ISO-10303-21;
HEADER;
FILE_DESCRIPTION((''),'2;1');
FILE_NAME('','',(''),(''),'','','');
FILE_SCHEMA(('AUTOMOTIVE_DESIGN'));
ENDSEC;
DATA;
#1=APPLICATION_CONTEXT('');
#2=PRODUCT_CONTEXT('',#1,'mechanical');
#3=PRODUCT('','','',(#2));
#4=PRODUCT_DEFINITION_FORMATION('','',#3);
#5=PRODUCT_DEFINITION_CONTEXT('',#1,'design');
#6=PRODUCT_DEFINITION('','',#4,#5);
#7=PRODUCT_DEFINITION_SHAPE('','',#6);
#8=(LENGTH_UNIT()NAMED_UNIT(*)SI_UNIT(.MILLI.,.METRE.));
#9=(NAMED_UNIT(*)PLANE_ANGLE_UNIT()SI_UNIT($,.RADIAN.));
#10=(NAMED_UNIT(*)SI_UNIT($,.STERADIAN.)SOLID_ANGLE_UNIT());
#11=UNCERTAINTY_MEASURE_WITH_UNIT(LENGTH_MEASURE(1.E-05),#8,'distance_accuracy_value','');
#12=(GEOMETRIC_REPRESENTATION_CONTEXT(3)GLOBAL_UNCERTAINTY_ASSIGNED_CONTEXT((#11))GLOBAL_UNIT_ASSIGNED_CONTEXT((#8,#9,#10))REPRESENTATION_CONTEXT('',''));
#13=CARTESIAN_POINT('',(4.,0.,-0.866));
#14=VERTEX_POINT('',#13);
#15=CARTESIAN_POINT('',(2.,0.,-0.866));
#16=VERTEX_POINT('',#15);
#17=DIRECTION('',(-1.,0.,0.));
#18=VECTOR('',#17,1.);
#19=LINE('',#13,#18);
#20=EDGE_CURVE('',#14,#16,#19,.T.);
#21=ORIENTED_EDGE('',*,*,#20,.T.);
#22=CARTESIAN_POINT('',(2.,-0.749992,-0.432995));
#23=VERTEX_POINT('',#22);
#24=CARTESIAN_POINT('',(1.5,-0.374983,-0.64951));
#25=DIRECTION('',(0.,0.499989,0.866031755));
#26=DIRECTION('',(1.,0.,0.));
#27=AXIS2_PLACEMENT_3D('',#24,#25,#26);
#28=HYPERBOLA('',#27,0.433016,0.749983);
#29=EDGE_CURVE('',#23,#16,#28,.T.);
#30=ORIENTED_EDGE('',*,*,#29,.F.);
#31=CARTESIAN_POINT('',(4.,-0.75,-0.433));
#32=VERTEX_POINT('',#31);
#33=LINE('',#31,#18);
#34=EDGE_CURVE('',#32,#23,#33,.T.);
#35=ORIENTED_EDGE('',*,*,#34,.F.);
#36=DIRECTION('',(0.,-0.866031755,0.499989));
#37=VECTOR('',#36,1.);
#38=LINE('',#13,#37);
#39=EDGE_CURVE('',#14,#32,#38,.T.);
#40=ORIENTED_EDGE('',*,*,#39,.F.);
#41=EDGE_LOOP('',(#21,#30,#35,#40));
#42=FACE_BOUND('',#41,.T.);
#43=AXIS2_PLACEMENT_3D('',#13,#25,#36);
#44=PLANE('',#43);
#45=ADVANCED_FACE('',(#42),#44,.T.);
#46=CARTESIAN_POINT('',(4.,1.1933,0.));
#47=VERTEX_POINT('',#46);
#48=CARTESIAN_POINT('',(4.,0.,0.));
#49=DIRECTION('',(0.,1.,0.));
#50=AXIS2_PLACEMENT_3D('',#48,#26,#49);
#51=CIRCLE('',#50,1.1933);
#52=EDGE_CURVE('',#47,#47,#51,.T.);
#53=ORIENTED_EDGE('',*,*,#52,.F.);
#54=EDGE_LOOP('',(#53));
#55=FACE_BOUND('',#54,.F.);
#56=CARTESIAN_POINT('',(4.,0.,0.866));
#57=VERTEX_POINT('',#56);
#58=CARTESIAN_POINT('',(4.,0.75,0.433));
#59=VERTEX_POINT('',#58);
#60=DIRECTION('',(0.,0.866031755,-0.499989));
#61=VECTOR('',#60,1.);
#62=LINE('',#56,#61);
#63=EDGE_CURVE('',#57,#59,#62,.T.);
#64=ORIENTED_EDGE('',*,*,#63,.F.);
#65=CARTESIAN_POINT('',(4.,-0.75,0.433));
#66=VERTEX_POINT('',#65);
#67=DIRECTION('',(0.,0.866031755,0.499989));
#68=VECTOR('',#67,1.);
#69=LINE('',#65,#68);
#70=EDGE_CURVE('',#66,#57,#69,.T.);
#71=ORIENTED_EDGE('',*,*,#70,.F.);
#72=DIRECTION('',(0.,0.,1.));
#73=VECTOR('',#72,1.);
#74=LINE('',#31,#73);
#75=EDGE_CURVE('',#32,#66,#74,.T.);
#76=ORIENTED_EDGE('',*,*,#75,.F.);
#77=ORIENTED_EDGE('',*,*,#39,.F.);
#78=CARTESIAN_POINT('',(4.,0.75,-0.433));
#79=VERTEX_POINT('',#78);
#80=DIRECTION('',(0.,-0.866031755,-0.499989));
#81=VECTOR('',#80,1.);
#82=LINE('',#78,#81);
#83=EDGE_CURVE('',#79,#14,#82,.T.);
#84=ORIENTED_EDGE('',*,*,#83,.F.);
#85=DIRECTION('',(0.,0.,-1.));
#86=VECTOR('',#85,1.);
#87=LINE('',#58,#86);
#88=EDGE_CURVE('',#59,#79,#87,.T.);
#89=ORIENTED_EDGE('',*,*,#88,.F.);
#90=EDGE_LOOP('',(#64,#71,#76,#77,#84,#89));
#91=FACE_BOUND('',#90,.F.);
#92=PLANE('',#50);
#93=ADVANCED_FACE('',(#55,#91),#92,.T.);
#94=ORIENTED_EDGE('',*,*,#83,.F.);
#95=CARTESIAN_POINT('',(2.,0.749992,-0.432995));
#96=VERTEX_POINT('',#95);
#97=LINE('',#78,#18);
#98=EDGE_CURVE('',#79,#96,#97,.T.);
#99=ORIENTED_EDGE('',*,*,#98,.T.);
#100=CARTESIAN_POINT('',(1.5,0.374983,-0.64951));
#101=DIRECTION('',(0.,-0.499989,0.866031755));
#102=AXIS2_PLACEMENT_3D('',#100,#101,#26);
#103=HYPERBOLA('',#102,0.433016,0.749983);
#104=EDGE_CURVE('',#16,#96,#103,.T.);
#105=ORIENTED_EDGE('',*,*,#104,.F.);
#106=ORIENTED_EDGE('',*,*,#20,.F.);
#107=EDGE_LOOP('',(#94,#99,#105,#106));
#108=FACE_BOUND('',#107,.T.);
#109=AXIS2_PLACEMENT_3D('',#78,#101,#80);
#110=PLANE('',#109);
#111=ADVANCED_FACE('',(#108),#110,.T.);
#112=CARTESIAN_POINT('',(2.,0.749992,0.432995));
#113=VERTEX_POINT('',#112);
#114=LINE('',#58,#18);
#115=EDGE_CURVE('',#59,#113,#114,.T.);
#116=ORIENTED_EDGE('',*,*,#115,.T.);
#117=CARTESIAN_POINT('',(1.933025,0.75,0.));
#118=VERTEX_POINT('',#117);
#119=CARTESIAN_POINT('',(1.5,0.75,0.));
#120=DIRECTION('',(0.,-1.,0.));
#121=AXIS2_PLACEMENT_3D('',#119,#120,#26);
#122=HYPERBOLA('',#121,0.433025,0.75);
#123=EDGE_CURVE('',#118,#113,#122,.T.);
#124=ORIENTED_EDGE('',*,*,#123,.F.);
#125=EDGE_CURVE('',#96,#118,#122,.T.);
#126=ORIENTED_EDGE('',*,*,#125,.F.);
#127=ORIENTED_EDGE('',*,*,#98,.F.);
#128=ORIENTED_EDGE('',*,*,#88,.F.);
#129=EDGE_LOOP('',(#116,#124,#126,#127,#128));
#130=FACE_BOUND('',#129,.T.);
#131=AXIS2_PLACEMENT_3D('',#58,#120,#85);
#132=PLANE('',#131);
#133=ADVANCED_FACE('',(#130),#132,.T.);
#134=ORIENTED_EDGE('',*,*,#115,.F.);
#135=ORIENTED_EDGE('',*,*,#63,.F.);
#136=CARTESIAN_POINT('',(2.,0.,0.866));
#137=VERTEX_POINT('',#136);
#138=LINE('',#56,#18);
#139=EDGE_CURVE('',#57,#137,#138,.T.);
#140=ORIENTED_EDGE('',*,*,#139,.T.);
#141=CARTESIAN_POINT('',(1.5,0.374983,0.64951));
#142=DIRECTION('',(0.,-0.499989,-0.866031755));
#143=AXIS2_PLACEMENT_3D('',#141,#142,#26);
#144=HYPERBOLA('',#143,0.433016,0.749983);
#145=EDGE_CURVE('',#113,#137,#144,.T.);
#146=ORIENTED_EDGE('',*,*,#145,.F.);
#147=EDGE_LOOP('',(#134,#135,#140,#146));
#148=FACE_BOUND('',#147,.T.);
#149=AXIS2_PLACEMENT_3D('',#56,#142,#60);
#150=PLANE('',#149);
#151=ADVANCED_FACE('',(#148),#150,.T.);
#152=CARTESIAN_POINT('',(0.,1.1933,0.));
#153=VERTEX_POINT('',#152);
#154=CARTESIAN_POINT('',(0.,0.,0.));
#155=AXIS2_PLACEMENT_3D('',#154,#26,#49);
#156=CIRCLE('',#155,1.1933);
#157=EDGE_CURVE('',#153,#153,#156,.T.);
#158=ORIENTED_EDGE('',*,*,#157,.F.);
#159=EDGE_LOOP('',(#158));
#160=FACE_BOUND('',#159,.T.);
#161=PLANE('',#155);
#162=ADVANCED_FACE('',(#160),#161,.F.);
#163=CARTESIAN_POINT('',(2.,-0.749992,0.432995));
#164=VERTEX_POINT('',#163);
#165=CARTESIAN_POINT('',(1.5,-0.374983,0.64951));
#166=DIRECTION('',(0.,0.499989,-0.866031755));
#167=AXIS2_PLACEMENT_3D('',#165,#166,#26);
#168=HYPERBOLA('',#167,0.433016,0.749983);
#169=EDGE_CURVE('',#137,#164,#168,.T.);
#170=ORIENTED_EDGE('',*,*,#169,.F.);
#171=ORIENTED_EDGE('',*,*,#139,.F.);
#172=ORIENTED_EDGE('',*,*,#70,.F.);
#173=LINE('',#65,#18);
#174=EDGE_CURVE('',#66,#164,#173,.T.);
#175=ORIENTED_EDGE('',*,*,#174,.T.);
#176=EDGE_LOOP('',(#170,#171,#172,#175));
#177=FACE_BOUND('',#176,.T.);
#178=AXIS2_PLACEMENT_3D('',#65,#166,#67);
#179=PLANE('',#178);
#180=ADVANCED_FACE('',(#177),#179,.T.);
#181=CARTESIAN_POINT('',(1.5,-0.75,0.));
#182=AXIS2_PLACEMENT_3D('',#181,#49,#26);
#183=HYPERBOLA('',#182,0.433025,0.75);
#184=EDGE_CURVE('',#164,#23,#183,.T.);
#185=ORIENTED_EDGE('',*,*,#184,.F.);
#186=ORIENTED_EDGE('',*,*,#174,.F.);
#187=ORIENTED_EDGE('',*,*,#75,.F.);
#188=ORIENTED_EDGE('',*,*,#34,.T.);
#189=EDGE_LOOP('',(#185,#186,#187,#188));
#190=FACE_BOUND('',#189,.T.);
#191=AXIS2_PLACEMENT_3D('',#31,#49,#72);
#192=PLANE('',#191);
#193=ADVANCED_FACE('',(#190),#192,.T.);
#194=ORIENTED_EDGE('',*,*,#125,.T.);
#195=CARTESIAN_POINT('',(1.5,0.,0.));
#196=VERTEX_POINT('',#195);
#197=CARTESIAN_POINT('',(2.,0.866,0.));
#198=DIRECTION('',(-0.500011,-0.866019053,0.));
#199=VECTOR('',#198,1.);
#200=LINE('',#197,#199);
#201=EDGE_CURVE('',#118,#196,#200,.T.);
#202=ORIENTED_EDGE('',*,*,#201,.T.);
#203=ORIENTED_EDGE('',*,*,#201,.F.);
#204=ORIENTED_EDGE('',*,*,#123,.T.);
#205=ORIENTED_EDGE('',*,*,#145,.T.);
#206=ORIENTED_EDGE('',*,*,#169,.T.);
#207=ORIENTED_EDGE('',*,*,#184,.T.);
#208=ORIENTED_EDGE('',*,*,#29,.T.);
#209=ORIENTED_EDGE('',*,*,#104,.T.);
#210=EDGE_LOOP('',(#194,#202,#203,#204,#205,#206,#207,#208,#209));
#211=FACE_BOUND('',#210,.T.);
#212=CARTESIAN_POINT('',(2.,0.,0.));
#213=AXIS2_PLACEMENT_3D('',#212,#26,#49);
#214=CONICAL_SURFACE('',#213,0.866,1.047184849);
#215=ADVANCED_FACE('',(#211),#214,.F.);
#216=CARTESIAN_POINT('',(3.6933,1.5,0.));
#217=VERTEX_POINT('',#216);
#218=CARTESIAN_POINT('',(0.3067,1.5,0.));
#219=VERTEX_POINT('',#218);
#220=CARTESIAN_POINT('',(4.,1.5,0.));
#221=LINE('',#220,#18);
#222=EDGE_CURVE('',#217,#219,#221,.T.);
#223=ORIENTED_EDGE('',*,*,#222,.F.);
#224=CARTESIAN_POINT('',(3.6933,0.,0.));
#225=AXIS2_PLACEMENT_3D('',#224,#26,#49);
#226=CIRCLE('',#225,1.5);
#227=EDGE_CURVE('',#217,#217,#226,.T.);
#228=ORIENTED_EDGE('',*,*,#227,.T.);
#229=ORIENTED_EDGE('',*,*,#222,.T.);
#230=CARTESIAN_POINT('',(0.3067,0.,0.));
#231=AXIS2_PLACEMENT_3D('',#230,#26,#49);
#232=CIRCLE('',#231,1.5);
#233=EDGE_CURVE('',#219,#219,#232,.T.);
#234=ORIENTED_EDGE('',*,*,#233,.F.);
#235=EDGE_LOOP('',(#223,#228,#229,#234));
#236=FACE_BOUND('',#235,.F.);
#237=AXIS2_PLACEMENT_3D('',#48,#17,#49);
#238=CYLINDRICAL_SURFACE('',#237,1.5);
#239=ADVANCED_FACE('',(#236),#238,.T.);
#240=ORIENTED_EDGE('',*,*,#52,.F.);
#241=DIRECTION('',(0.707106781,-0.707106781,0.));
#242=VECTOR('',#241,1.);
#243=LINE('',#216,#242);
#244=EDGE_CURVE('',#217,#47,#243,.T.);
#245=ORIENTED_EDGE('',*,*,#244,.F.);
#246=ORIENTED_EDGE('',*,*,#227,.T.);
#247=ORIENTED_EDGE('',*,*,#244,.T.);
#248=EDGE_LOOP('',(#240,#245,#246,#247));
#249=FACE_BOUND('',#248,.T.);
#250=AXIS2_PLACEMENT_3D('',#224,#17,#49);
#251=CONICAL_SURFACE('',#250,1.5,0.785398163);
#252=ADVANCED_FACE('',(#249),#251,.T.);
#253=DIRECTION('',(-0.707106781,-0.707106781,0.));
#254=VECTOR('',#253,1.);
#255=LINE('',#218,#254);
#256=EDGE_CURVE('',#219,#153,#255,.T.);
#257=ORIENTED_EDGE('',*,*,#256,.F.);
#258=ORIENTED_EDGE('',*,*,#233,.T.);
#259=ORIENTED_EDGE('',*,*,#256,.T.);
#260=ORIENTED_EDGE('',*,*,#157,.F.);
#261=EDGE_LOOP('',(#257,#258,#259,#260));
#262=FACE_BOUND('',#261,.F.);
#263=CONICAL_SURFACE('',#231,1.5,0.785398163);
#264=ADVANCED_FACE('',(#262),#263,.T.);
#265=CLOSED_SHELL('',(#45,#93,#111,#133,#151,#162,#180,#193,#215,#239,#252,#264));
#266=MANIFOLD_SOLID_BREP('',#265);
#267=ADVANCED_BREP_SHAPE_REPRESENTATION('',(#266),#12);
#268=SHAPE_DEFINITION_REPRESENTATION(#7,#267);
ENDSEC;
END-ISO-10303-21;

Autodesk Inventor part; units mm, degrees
ref_plane "YZ Plane" through (0, 0, 0) normal (1, 0, 0) x (0, 1, 0)
ref_plane "XZ Plane" through (0, 0, 0) normal (0, 1, 0) x (-1, 0, 0)
sketch "Sketch1" plane through (0, 0, 0) normal (0, 0, 1) x (1, 0, 0)
  line L0 (0, 0) -> (1.5, 0)
  line L1 (4, 0.866) -> (4, 1.5)
  line L2 (4, 1.5) -> (0, 1.5)
  line L3 (4, 0.866) -> (2, 0.866)
  line L4 (2, 0.866) -> (1.5, 0)
  line L5 (0, -0.3) -> (0, 1.8) projected
  line L6 (0, 1.5) -> (0, 0)
  dimension "d0" = 2
  dimension "d1" = 60
  dimension "d2" = 3
  dimension "d3" = 1.7321
  dimension "d5" = 4
revolve "Body" add sketch "Sketch1" angle 360 about axis through (0, 0, 0) along (1, 0, 0)
chamfer "Chamfer1" distance 0.3067 angle 45 1 edges at (4, -1.5, 0) measured on face at (4, 1.2658, -0.1887)
sketch "Sketch2" plane through (4, 0, 0) normal (1, 0, 0) x (0, 0, -1)
  circle A0 centre (0, 0) radius 0.866 projected
  line L0 (-0.433, 0.75) -> (0.433, 0.75)
  line L1 (0.433, 0.75) -> (0.866, 0)
  line L2 (0.866, 0) -> (0.433, -0.75)
  line L3 (0.433, -0.75) -> (-0.433, -0.75)
  line L4 (-0.433, -0.75) -> (-0.866, 0)
  line L5 (-0.866, 0) -> (-0.433, 0.75)
  point P0 (0, 0)
  point P1 (0, 0)
extrude "Slot" add sketch "Sketch2" against normal up to next contours L1 A0 | A0 L2 | L0 A0 | A0 L3 | L5 A0 | A0 L4
thread "Thread" size "M3x0.5" class "6g" standard "ISO Metric profile" length 4
chamfer "Chamfer2" distance 0.3067 angle 45 1 edges at (0, -1.5, 0) measured on face at (2.4622, 1.4806, -0.2406)
ref_plane "Work Plane1" through (2, 0, 0) normal (0, 0.5, 0.866) x (1, 0, 0)
equation "\"d7\" = -0.5 * GD1 + 0.5 * NND"
equation "\"d8\" = FAWI"
equation "\"d29\" = -0.5 * GD1 + 0.5 * NND"
equation "\"d11\" = NLG"
equation "\"d13\" = -0.5 * GD1 + 0.5 * NND"
equation "\"d14\" = FAWI"
equation "\"d30\" = -0.5 * GD1 + 0.5 * NND"
equation "\"d0\" = INTI"
equation "\"d2\" = NND"
equation "\"d3\" = 1.1547 * SW"
equation "\"d5\" = NLG"
equation "\"NND\" = 3"
equation "\"NLG\" = 4"
equation "\"INTI\" = 2"
equation "\"FAWI\" = 45deg"
equation "\"SW\" = 1.5"
equation "\"GD1\" = THREADDIA - 1.2269 * PTC"
equation "\"FAWI1\" = 45deg"
equation "\"GUL\" = 0.61345 * PTC"
equation "\"SPD\" = 2"
equation "\"SEWI\" = 90deg"
equation "\"TOA\" = 30deg"
equation "\"THREADDIA\" = 3"
equation "\"PTC\" = 0.5"
equation "\"GAL\" = 0.61345 * PTC"
equation "\"E0\" = 1.155 * SW"
properties part number "ISO 4026 - M3 x 4" material "Stainless Steel, 440C"
